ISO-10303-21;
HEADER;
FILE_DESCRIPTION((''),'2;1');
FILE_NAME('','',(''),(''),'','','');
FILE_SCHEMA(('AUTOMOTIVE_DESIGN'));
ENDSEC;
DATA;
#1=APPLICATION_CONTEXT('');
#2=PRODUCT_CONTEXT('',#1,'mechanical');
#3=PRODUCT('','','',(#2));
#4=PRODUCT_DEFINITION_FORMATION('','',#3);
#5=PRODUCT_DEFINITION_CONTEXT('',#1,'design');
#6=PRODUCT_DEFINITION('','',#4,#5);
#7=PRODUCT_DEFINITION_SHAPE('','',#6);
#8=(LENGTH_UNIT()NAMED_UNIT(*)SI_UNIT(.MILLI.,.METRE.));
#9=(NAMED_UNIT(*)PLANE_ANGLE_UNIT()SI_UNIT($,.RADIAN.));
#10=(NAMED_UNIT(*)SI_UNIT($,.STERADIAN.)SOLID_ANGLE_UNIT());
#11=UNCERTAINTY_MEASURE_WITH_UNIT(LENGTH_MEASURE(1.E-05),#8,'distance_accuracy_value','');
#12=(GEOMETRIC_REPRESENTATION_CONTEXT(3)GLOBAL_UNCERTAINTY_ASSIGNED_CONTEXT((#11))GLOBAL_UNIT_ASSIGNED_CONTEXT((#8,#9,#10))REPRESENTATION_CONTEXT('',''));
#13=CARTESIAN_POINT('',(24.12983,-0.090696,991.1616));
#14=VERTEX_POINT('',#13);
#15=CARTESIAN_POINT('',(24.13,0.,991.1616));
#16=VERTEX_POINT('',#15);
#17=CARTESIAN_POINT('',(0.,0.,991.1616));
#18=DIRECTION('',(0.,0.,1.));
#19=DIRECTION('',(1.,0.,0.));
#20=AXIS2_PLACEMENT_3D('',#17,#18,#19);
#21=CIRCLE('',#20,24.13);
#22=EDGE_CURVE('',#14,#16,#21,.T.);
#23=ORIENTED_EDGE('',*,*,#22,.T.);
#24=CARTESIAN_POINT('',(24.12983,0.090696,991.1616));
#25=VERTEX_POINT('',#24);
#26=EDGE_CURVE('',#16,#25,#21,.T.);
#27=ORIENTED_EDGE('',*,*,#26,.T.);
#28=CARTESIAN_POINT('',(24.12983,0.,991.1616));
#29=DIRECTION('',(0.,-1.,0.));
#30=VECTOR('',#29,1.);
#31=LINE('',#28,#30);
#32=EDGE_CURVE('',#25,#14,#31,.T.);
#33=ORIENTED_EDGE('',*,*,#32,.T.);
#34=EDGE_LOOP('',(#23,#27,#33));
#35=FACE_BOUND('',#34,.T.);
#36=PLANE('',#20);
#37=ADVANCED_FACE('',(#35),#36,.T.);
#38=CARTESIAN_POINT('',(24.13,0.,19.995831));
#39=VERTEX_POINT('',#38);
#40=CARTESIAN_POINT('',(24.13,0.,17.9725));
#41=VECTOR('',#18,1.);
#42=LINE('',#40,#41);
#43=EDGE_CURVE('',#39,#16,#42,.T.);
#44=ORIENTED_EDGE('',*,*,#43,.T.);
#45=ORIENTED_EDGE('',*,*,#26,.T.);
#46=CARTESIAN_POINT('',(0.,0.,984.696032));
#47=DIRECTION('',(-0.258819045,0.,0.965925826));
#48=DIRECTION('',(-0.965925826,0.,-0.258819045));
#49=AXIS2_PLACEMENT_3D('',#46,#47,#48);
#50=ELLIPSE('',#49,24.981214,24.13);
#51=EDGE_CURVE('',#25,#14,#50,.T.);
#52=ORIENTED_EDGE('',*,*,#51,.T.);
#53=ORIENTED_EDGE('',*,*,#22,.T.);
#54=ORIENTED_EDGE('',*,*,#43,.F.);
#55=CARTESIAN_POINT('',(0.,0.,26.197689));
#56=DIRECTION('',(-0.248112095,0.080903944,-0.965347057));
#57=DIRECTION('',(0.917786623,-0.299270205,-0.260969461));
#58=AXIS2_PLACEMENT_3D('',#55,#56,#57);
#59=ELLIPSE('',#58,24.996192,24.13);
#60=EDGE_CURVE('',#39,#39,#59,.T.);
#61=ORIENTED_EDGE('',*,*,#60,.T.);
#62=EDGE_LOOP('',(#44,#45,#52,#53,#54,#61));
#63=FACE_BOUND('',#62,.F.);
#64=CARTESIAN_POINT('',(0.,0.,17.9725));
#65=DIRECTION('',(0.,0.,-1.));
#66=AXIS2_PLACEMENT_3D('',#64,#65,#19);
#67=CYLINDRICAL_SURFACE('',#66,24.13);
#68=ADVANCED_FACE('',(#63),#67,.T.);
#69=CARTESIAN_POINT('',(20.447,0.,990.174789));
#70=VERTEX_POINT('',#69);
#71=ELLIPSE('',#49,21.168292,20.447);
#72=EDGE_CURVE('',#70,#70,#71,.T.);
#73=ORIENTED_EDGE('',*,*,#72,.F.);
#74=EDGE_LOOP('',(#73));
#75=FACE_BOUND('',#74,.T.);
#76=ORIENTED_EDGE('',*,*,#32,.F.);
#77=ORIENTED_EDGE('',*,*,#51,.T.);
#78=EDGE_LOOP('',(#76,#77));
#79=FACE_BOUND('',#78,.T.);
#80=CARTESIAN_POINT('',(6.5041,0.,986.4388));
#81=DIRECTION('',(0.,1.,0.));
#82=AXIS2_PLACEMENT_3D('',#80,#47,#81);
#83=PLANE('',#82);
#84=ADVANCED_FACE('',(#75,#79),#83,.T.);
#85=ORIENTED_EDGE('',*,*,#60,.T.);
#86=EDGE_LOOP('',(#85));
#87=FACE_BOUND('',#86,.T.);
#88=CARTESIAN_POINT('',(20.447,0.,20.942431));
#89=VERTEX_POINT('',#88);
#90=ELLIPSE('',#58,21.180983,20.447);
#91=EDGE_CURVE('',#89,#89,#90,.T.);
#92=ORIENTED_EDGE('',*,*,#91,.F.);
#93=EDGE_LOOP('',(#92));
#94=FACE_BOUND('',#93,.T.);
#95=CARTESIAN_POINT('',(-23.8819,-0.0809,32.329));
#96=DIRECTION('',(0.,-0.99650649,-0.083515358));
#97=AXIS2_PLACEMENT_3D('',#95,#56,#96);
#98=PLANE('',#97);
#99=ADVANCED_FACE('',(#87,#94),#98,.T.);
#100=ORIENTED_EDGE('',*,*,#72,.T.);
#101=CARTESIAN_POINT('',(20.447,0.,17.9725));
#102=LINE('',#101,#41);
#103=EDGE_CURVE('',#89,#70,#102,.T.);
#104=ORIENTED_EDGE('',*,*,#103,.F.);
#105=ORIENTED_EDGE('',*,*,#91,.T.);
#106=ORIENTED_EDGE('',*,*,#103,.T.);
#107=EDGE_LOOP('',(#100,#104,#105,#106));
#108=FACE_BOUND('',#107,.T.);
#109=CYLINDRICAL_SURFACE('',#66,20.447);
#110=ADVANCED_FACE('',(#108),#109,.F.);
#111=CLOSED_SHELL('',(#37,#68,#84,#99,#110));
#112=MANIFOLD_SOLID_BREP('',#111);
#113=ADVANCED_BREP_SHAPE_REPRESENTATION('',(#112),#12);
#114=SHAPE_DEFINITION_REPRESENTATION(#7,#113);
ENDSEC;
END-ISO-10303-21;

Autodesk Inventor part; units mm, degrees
ref_plane "Start Plane" through (0, 0, 17.9725) normal (0, 0, 1) x (1, 0, 0)
ref_plane "End Plane" through (0, 0, 991.1616) normal (0, 0, 1) x (1, 0, 0)
sketch "Sketch" plane through (0, 0, 0) normal (0, 0, 1) x (1, 0, 0)
  circle A0 centre (0, 0) radius 20.447
  circle A1 centre (0, 0) radius 24.13
  dimension "d0" = 48.26
  dimension "d1" = 3.683
extrude "Body" add sketch "Sketch" along normal up to surface (973.1891 mm away) from surface at 17.9725
sketch "Sketch3" plane through (0, 0, 0) normal (0, 0, 1) x (1, 0, 0)
  line L0 (0, 0) -> (10, 0)
ref_plane "Work Plane3" through (0, 0, 0) normal (0, -1, 0) x (1, 0, 0)
ref_plane "Work Plane4" through (-23.8819, -0.0809, 32.329) normal (-0.2481, 0.0809, -0.9653) x (-0.7765, 0.5792, 0.2481)
split "Split1" plane through (-23.8819, -0.0809, 32.329) removes the side toward (-0.2481, 0.0809, -0.9653)
ref_plane "Work Plane5" through (6.5041, 0, 986.4388) normal (-0.2588, 0, 0.9659) x (0.9659, 0, 0.2588)
split "Split2" plane through (6.5041, 0, 986.4388) removes the side toward (-0.2588, 0, 0.9659)
sketch "Sketch4" plane through (0, 0, 0) normal (0, -1, 0) x (1, 0, 0)
  line L0 (-2, 17.9725) -> (12, 17.9725) projected
  line L1 (-2, 991.1616) -> (12, 991.1616) projected
  dimension "d7" = 973.189
equation "\"d0\" = G_H"
equation "\"d1\" = G_T"
equation "\"d2\" = G_L"
equation "\"G_H\" = 48.26"
equation "\"G_T\" = 3.683"
equation "\"G_L\" = d7"
equation "\"G_OFFSET_START\" = -17.97254"
equation "\"G_OFFSET_END\" = -19.55088"
equation "\"d4\" = -G_OFFSET_START"
equation "\"d5\" = G_OFFSET_END + B_L"
equation "\"B_L\" = 1010.71247"
properties part number "ANSI - 1 1/2 x 0.145 - 38.315" material "Steel, Mild"
